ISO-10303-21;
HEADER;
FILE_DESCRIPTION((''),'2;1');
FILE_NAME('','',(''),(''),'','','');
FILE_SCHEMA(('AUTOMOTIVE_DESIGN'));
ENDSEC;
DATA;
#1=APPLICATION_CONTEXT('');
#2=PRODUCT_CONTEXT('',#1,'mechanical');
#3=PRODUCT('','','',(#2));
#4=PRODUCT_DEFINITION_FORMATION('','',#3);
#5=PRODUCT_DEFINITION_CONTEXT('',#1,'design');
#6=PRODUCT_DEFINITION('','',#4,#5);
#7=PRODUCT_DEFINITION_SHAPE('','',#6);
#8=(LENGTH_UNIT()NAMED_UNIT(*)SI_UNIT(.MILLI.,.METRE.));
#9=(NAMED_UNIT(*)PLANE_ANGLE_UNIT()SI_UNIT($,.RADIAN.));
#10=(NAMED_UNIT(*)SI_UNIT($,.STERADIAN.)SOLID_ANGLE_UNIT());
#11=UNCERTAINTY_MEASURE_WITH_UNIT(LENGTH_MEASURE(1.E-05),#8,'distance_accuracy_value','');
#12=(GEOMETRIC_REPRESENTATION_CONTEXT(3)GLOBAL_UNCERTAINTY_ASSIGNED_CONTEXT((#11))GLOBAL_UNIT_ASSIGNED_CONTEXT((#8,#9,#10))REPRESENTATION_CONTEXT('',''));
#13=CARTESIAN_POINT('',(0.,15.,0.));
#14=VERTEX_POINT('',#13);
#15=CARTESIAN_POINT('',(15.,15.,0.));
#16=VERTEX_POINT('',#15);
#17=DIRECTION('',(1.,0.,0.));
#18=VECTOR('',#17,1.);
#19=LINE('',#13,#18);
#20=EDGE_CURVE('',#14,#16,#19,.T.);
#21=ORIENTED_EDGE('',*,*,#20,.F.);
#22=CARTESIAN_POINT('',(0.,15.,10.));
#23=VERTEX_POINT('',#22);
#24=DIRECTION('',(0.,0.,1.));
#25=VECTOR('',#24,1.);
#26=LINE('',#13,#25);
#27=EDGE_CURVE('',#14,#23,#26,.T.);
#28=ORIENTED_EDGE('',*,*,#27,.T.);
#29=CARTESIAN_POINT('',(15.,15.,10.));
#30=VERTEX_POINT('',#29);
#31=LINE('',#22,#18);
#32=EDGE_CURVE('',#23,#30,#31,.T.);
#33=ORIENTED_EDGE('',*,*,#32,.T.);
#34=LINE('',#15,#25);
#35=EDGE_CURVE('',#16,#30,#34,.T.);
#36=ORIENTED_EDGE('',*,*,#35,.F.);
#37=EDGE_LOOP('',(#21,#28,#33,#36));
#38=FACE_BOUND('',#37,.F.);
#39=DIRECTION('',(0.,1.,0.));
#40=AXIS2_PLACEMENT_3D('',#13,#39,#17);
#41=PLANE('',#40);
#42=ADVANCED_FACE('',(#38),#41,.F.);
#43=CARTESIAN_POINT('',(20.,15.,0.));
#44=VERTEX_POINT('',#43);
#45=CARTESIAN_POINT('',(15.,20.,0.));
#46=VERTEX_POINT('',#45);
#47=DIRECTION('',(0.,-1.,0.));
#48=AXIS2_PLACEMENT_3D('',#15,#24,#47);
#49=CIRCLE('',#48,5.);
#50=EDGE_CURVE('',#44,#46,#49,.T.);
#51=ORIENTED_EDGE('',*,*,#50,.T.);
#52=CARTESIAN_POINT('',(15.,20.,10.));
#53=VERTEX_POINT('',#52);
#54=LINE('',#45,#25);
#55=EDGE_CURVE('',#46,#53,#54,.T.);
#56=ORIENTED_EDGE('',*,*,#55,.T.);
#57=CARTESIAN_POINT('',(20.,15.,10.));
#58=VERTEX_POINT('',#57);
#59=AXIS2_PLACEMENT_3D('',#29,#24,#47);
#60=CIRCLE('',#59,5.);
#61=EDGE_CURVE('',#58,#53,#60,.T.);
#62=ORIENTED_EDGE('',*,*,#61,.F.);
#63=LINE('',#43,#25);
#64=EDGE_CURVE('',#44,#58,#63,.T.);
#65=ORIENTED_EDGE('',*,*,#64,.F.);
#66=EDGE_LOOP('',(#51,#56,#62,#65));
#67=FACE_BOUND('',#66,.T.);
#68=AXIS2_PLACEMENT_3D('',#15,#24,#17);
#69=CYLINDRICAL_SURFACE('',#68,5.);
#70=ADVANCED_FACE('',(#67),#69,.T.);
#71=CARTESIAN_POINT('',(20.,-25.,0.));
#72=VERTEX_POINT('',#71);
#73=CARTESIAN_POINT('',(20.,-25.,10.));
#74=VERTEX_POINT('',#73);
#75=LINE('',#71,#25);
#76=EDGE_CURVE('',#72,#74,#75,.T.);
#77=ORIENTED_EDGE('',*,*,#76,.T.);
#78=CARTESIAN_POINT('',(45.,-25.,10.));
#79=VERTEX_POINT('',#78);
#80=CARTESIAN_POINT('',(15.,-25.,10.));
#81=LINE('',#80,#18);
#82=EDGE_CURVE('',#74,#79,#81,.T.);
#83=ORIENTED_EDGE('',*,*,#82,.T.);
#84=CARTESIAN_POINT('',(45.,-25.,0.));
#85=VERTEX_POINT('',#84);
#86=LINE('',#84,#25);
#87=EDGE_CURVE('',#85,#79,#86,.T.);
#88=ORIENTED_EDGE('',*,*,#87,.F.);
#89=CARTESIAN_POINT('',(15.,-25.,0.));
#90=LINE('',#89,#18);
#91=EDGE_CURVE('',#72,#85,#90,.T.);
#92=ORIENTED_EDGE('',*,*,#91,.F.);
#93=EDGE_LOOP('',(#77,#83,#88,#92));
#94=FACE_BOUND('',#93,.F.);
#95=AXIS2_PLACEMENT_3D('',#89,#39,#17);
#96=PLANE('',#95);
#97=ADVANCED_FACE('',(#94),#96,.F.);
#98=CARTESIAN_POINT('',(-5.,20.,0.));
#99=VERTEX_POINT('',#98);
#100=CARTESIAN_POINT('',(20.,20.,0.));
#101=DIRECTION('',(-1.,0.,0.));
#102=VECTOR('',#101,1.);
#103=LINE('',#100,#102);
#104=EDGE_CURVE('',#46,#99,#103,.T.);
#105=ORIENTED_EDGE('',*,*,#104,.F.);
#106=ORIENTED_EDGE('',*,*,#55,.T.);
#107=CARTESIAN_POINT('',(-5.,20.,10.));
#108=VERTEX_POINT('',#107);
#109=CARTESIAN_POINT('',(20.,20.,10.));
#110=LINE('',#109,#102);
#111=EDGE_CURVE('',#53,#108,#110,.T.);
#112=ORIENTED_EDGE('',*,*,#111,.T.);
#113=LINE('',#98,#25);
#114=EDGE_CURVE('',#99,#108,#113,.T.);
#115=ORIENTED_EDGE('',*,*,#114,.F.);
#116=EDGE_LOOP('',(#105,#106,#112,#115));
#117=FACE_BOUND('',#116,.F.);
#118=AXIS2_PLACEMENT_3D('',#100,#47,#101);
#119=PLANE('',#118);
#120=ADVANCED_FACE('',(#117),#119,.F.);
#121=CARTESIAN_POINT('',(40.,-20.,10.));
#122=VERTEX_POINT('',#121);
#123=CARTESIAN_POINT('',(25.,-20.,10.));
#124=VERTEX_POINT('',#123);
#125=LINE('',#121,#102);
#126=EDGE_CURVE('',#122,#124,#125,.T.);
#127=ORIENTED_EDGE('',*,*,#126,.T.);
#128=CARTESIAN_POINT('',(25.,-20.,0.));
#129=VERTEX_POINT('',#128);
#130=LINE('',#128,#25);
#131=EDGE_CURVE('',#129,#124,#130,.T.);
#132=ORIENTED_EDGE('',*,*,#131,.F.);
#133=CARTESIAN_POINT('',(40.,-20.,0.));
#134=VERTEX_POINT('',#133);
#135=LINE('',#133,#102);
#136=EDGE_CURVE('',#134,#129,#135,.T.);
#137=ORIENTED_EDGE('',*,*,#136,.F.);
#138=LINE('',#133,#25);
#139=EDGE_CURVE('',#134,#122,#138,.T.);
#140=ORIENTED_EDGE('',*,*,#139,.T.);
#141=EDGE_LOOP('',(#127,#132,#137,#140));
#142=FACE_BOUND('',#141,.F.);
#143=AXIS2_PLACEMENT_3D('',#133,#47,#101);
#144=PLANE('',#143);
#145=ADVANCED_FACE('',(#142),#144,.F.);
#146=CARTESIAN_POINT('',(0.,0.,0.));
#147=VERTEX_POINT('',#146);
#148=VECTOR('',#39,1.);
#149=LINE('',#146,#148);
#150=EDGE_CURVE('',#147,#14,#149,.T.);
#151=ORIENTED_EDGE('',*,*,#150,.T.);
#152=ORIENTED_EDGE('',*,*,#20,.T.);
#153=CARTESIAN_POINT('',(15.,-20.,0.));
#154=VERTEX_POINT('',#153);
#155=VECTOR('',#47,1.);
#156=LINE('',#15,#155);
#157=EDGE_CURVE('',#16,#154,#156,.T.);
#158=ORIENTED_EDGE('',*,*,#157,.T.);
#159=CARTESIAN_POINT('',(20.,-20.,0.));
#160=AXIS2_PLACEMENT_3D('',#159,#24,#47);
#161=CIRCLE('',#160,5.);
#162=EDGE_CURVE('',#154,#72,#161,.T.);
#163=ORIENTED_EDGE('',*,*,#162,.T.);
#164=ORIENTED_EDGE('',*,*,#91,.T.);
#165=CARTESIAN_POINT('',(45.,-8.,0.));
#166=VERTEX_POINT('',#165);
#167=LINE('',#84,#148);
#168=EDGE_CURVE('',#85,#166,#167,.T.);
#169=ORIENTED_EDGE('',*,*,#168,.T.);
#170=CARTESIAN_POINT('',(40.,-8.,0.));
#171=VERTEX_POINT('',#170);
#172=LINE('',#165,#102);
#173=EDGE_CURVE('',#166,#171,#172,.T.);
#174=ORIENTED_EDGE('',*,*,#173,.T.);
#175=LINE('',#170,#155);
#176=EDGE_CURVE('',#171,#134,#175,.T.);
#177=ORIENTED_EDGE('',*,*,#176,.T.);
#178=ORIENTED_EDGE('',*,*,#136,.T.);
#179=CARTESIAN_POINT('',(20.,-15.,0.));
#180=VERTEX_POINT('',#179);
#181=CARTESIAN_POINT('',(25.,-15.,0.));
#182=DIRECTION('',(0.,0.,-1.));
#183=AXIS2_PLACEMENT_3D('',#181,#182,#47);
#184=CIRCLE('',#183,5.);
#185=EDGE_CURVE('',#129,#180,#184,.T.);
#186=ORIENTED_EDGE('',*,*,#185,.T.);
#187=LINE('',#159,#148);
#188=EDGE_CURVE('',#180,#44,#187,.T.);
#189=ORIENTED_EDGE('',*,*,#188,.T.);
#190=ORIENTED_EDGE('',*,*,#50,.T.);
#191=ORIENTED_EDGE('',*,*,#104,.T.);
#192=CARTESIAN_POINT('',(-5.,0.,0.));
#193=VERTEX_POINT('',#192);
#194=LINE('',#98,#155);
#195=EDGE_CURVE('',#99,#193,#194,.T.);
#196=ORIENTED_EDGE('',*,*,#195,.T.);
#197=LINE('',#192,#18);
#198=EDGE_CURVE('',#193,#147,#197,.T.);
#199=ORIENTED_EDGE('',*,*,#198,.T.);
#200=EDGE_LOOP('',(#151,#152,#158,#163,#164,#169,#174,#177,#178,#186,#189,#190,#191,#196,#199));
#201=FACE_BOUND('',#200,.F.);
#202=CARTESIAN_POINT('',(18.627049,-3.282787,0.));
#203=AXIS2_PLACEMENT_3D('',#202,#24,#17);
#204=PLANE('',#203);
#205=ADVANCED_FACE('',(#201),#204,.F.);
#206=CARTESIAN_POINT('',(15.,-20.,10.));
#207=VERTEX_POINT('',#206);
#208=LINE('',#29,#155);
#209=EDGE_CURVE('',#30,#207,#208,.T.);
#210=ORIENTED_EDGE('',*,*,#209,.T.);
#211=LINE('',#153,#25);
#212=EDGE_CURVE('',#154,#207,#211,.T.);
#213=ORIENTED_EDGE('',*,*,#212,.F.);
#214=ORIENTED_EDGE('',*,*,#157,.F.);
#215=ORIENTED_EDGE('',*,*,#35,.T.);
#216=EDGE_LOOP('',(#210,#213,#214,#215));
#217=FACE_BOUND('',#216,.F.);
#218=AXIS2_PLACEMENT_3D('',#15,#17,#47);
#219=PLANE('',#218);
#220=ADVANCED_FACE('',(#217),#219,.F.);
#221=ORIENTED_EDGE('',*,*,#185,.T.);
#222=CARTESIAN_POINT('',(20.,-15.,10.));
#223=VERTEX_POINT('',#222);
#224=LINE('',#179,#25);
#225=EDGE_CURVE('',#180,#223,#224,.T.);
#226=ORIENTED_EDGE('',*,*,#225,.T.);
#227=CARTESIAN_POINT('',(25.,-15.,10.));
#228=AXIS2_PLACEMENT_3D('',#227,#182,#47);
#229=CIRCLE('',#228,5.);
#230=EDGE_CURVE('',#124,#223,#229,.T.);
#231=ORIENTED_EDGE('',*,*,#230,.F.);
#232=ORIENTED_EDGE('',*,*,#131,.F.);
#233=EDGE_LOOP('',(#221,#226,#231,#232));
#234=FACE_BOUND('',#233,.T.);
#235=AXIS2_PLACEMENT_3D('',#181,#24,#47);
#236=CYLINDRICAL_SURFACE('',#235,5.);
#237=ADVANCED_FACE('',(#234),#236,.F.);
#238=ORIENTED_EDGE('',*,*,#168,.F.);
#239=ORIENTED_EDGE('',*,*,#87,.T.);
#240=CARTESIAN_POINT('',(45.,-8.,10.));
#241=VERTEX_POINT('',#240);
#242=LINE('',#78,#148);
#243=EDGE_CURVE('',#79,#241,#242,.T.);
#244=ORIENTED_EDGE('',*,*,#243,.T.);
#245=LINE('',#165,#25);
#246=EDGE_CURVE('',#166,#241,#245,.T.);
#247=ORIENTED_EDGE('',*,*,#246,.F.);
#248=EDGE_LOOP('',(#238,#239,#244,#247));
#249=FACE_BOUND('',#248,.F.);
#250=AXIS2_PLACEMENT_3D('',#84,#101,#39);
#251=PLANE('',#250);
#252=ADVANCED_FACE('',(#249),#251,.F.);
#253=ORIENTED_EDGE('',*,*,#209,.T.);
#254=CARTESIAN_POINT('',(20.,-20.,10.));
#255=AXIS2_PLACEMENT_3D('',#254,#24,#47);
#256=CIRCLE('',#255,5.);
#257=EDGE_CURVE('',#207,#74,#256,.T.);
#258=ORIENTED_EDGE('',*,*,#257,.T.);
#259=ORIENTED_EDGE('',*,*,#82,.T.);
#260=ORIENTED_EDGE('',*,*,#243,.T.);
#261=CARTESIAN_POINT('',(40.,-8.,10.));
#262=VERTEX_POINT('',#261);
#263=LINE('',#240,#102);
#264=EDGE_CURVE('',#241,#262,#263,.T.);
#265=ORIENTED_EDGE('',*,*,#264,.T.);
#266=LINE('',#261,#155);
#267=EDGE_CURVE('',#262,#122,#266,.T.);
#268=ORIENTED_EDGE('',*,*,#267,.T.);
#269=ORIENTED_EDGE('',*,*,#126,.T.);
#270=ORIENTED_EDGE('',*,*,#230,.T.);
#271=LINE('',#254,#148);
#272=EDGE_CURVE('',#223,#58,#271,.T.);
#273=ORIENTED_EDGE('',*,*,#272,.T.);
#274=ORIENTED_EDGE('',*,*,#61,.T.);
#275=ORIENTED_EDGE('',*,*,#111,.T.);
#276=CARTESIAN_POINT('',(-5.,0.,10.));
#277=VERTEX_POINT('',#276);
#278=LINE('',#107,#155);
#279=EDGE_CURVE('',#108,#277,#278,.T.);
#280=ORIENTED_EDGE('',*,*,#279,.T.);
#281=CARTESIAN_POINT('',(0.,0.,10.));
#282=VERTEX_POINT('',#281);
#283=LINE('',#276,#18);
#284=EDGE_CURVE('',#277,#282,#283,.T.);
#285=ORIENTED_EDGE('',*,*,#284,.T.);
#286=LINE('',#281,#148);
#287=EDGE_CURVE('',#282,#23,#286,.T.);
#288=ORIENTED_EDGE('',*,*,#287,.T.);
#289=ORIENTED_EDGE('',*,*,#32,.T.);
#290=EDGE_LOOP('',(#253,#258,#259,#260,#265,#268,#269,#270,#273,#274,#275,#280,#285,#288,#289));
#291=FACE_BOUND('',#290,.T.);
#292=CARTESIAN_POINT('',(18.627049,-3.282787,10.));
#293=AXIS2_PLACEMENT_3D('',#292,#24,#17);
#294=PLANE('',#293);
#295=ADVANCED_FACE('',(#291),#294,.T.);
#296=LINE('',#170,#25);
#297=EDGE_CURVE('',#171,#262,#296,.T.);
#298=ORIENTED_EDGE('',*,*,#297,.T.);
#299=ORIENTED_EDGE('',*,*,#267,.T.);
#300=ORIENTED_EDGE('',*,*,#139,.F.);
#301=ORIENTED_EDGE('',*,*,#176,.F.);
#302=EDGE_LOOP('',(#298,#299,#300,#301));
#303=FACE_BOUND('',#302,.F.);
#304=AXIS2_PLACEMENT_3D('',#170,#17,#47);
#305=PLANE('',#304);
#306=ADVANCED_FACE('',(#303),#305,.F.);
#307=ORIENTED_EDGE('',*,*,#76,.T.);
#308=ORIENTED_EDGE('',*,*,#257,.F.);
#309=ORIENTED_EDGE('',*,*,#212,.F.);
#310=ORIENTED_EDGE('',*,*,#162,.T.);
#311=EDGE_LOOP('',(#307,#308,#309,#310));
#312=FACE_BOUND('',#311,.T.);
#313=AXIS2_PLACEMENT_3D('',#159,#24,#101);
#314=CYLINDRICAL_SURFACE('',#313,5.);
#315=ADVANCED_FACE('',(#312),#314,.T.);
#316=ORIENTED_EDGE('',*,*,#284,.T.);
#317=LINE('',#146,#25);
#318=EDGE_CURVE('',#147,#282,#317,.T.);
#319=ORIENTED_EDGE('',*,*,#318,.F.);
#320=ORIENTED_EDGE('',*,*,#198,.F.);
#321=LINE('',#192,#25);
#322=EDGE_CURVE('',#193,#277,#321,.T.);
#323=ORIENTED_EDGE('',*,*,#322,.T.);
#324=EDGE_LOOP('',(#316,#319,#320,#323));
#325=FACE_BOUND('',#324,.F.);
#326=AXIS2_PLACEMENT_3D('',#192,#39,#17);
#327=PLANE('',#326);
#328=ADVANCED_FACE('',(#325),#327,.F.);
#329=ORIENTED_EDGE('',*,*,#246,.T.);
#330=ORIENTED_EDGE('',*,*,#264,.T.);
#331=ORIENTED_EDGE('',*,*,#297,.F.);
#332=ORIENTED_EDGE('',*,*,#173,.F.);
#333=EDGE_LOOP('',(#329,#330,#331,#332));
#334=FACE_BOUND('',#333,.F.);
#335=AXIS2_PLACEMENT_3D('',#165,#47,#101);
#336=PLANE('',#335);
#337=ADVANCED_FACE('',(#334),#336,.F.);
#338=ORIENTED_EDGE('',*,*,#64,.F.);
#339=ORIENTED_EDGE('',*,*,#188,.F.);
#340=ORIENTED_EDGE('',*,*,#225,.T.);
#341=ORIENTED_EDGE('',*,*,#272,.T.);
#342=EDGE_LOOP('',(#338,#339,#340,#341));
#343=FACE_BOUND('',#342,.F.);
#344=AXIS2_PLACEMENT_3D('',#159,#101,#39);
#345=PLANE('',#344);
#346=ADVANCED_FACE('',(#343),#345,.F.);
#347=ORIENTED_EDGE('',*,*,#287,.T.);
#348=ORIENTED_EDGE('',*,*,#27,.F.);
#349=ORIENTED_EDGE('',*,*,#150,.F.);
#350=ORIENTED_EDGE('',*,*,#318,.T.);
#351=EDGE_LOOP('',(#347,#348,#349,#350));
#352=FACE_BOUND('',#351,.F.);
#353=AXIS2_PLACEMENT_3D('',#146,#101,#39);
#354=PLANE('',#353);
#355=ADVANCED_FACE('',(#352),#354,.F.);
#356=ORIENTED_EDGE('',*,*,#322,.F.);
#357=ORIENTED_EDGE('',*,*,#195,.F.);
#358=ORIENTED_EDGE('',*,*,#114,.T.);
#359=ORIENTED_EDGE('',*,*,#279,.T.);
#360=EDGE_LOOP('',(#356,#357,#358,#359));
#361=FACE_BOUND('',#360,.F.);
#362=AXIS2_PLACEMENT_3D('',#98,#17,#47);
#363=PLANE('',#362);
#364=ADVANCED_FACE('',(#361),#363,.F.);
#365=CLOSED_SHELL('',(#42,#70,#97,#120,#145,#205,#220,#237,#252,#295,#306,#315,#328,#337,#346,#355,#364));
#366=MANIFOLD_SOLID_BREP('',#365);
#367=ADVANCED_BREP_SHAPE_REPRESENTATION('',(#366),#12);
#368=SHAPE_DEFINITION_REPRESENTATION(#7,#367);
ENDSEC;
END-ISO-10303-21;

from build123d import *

# Parameters (mm, degrees)
F1_DEPTH = 10
F2_R     = 5


with BuildPart() as f1:
    # F0 (on Top) → F1 (new body)
    with BuildSketch(Plane.XY):
        Polygon((-5, 0), (0, 0), (0, 15), (15, 15), (15, -25), (45, -25), (45, -8), (40, -8), (40, -20), (20, -20), (20, 20), (-5, 20), align=None)
    extrude(amount=F1_DEPTH)

    # F2
    f2_edges = [f1.edges().sort_by_distance(p)[0] for p in [
        (20, -20, 5),
        (20, 20, 5),
        (15, -25, 5),
    ]]
    fillet(f2_edges, radius=F2_R)


solid = f1.part
